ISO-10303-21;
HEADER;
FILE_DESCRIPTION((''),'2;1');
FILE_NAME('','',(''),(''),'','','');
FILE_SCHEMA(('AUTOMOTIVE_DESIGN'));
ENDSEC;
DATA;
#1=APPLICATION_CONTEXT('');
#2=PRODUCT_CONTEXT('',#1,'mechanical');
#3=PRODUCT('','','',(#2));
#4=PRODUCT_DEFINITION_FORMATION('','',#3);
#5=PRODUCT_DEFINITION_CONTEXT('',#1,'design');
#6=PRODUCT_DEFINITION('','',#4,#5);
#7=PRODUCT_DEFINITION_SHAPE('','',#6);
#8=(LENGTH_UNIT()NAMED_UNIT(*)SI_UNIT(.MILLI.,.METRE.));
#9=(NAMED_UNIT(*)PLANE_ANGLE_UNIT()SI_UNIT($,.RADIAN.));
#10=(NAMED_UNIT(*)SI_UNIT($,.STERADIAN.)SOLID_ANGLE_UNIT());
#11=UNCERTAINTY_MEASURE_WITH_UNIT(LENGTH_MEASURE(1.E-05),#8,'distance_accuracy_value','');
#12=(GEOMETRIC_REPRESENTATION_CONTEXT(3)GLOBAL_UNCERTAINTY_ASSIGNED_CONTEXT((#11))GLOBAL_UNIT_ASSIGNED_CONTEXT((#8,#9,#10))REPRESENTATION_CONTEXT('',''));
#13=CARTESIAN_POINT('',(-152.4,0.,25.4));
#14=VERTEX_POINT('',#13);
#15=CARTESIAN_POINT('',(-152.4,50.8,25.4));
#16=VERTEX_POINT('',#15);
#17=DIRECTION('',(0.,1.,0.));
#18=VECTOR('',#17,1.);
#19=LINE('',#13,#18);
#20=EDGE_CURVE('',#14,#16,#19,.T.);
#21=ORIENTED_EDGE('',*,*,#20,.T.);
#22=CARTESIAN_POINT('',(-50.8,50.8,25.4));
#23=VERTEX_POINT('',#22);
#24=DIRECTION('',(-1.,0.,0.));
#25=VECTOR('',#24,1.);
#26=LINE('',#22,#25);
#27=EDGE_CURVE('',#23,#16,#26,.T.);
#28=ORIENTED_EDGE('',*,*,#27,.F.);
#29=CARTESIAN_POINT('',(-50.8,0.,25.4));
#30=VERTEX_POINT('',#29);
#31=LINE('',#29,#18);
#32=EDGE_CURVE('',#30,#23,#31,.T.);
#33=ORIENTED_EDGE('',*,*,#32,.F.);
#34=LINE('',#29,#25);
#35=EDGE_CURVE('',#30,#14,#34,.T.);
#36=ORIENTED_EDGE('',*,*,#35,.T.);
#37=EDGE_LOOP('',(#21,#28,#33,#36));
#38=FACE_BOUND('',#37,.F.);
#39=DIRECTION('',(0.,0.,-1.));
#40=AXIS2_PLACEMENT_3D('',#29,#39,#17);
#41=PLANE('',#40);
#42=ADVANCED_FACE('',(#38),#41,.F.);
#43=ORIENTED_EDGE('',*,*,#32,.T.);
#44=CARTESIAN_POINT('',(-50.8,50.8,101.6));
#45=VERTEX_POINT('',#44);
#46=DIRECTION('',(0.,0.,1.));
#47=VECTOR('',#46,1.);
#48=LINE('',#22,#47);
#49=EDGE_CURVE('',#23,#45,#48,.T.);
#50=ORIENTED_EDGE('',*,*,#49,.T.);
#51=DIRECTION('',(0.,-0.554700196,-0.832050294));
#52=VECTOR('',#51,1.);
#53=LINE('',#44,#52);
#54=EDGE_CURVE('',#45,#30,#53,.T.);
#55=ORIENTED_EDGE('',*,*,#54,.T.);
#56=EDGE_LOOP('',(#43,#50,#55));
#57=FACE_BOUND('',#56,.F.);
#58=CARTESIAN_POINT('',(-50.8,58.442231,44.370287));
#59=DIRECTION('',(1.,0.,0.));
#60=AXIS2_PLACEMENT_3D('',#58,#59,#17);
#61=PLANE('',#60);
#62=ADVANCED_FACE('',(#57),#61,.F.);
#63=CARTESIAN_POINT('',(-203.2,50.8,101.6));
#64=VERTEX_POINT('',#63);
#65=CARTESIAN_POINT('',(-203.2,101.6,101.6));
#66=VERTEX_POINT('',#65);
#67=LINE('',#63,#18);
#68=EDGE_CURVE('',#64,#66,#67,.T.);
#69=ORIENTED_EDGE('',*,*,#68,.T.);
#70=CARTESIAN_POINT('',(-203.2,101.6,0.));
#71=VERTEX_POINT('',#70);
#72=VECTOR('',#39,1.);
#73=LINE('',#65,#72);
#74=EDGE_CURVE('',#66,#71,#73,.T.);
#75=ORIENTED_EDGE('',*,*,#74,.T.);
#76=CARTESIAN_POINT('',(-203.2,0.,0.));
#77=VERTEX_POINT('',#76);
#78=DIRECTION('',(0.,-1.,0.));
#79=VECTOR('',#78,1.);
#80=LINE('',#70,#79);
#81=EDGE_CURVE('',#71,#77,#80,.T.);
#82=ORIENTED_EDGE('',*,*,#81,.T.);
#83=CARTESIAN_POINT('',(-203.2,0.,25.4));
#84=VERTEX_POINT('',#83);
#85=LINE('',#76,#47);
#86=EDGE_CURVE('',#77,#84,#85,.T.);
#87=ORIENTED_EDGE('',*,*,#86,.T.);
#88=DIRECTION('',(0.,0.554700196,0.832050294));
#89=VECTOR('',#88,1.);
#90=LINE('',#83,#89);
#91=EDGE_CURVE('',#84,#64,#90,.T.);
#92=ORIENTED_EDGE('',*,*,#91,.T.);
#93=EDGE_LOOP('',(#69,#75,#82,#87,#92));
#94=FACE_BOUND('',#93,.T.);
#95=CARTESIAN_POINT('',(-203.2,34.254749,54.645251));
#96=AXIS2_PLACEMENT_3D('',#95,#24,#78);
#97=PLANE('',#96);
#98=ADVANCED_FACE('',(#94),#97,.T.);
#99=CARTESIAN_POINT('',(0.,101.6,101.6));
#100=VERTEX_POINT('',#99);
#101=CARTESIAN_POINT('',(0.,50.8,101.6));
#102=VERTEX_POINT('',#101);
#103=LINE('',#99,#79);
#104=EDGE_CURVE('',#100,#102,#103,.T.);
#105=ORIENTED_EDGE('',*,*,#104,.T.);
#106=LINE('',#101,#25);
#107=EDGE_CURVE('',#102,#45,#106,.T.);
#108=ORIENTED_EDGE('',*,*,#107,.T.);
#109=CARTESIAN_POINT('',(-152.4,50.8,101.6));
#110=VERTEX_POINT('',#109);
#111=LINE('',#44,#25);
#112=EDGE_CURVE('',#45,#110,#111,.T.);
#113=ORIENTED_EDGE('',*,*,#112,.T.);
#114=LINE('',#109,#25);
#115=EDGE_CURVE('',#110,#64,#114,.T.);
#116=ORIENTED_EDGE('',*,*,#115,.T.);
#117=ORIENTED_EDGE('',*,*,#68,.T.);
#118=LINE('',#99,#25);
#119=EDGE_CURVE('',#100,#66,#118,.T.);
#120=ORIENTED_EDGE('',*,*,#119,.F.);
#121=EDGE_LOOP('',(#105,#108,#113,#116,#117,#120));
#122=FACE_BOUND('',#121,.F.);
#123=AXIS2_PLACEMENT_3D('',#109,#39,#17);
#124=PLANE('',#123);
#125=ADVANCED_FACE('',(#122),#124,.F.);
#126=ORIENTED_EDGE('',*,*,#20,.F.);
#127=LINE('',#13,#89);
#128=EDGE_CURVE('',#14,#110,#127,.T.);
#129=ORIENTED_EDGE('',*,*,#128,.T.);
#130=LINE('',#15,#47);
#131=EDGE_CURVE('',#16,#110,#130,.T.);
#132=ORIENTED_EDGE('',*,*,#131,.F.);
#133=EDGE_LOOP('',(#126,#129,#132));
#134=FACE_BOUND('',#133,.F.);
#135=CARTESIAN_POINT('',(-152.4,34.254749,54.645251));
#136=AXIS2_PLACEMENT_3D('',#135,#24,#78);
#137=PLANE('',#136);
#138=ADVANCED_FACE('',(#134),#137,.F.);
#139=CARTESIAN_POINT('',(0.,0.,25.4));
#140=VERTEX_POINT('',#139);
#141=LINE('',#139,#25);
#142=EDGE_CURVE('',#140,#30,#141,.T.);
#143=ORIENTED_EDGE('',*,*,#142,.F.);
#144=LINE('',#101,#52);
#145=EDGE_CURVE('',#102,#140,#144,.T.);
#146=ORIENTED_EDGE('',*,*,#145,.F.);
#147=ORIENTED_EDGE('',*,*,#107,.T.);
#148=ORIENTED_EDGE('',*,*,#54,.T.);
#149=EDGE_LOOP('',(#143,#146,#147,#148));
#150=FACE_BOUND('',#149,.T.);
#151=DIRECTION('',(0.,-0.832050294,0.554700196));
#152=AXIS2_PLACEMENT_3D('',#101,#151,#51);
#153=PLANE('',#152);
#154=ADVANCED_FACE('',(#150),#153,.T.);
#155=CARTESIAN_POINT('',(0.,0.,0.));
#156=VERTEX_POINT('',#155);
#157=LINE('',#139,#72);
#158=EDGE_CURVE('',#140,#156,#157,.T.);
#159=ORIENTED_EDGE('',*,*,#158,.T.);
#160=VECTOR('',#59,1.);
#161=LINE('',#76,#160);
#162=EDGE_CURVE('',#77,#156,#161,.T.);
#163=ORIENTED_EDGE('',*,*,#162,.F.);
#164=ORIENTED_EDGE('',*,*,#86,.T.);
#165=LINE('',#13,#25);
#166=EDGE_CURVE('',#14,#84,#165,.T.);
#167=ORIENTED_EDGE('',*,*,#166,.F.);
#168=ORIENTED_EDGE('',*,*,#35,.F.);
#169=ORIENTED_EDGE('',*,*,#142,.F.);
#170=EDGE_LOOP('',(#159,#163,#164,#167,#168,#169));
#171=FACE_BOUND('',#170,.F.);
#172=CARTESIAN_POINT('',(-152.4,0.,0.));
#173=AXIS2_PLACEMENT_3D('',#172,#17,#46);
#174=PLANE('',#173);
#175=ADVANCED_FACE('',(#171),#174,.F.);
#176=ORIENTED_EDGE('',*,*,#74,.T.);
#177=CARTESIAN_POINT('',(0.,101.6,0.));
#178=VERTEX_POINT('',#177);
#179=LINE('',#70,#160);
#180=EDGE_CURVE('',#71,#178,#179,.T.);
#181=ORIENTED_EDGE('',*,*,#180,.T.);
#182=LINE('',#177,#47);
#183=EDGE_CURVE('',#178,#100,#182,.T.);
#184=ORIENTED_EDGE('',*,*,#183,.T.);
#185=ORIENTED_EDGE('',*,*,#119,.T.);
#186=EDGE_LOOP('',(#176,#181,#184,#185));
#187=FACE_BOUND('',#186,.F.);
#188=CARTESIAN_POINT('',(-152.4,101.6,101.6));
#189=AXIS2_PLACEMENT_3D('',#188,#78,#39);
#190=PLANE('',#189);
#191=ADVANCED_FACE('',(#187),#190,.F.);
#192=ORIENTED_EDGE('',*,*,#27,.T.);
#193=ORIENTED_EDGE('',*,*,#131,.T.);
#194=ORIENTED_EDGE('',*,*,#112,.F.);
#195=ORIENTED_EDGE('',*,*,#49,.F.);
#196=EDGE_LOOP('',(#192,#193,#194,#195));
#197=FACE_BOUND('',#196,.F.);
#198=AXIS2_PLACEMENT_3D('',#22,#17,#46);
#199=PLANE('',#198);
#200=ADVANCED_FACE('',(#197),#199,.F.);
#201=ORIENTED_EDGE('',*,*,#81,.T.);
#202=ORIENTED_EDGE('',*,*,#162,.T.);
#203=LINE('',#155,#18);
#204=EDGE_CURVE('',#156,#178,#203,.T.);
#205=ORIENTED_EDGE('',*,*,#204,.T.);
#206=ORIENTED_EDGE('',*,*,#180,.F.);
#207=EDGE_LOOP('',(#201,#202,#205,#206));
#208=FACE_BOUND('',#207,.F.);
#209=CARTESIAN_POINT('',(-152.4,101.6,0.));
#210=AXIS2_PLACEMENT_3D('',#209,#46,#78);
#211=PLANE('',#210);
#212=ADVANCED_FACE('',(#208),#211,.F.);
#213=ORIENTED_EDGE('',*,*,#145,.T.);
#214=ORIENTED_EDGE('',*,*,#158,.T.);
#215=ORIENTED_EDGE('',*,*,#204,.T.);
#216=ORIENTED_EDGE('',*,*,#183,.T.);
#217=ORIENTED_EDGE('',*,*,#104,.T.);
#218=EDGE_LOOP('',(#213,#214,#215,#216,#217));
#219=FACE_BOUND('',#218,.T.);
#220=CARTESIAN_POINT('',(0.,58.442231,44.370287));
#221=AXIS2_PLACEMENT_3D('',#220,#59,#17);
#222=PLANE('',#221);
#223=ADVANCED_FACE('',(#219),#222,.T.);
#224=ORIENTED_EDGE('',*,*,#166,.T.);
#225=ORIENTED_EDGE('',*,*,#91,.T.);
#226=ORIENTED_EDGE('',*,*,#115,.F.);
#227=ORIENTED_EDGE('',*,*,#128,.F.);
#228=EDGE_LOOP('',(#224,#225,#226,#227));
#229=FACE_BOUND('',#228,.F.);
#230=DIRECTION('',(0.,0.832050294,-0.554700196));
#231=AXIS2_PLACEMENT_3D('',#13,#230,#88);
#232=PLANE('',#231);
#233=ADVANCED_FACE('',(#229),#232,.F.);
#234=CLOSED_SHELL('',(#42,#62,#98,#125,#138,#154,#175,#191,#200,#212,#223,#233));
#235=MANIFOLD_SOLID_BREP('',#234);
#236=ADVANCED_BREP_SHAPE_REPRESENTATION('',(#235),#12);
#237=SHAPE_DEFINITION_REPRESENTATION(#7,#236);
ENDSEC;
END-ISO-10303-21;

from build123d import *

# Parameters (mm, degrees)
F1_DEPTH = 50.8
F3_DEPTH = 101.6
F5_DEPTH = 50.8


with BuildPart() as f1:
    # F0 (on Right) → F1 (new body)
    with BuildSketch(Plane.YZ):
        Polygon((0, 25.4), (0, 0), (101.6, 0), (101.6, 101.6), (50.8, 101.6), align=None)
    extrude(amount=-F1_DEPTH)

    # F2 (on face) → F3 (join)
    with BuildSketch(Plane(origin=(-50.8, 0, 0), x_dir=(0, -1, 0), z_dir=(-1, 0, 0))):
        Polygon((0, 0), (0, 25.4), (-50.8, 25.4), (-50.8, 101.6), (-101.6, 101.6), (-101.6, 0), align=None)
    extrude(amount=F3_DEPTH)

    # F4 (on face) → F5 (join)
    with BuildSketch(Plane(origin=(-152.4, 0, 0), x_dir=(0, -1, 0), z_dir=(-1, 0, 0))):
        Polygon((0, 25.4), (-50.8, 101.6), (-50.8, 25.4), align=None)
        Polygon((-50.8, 101.6), (-101.6, 101.6), (-101.6, 0), (0, 0), (0, 25.4), (-50.8, 25.4), align=None)
    extrude(amount=F5_DEPTH)


solid = f1.part
